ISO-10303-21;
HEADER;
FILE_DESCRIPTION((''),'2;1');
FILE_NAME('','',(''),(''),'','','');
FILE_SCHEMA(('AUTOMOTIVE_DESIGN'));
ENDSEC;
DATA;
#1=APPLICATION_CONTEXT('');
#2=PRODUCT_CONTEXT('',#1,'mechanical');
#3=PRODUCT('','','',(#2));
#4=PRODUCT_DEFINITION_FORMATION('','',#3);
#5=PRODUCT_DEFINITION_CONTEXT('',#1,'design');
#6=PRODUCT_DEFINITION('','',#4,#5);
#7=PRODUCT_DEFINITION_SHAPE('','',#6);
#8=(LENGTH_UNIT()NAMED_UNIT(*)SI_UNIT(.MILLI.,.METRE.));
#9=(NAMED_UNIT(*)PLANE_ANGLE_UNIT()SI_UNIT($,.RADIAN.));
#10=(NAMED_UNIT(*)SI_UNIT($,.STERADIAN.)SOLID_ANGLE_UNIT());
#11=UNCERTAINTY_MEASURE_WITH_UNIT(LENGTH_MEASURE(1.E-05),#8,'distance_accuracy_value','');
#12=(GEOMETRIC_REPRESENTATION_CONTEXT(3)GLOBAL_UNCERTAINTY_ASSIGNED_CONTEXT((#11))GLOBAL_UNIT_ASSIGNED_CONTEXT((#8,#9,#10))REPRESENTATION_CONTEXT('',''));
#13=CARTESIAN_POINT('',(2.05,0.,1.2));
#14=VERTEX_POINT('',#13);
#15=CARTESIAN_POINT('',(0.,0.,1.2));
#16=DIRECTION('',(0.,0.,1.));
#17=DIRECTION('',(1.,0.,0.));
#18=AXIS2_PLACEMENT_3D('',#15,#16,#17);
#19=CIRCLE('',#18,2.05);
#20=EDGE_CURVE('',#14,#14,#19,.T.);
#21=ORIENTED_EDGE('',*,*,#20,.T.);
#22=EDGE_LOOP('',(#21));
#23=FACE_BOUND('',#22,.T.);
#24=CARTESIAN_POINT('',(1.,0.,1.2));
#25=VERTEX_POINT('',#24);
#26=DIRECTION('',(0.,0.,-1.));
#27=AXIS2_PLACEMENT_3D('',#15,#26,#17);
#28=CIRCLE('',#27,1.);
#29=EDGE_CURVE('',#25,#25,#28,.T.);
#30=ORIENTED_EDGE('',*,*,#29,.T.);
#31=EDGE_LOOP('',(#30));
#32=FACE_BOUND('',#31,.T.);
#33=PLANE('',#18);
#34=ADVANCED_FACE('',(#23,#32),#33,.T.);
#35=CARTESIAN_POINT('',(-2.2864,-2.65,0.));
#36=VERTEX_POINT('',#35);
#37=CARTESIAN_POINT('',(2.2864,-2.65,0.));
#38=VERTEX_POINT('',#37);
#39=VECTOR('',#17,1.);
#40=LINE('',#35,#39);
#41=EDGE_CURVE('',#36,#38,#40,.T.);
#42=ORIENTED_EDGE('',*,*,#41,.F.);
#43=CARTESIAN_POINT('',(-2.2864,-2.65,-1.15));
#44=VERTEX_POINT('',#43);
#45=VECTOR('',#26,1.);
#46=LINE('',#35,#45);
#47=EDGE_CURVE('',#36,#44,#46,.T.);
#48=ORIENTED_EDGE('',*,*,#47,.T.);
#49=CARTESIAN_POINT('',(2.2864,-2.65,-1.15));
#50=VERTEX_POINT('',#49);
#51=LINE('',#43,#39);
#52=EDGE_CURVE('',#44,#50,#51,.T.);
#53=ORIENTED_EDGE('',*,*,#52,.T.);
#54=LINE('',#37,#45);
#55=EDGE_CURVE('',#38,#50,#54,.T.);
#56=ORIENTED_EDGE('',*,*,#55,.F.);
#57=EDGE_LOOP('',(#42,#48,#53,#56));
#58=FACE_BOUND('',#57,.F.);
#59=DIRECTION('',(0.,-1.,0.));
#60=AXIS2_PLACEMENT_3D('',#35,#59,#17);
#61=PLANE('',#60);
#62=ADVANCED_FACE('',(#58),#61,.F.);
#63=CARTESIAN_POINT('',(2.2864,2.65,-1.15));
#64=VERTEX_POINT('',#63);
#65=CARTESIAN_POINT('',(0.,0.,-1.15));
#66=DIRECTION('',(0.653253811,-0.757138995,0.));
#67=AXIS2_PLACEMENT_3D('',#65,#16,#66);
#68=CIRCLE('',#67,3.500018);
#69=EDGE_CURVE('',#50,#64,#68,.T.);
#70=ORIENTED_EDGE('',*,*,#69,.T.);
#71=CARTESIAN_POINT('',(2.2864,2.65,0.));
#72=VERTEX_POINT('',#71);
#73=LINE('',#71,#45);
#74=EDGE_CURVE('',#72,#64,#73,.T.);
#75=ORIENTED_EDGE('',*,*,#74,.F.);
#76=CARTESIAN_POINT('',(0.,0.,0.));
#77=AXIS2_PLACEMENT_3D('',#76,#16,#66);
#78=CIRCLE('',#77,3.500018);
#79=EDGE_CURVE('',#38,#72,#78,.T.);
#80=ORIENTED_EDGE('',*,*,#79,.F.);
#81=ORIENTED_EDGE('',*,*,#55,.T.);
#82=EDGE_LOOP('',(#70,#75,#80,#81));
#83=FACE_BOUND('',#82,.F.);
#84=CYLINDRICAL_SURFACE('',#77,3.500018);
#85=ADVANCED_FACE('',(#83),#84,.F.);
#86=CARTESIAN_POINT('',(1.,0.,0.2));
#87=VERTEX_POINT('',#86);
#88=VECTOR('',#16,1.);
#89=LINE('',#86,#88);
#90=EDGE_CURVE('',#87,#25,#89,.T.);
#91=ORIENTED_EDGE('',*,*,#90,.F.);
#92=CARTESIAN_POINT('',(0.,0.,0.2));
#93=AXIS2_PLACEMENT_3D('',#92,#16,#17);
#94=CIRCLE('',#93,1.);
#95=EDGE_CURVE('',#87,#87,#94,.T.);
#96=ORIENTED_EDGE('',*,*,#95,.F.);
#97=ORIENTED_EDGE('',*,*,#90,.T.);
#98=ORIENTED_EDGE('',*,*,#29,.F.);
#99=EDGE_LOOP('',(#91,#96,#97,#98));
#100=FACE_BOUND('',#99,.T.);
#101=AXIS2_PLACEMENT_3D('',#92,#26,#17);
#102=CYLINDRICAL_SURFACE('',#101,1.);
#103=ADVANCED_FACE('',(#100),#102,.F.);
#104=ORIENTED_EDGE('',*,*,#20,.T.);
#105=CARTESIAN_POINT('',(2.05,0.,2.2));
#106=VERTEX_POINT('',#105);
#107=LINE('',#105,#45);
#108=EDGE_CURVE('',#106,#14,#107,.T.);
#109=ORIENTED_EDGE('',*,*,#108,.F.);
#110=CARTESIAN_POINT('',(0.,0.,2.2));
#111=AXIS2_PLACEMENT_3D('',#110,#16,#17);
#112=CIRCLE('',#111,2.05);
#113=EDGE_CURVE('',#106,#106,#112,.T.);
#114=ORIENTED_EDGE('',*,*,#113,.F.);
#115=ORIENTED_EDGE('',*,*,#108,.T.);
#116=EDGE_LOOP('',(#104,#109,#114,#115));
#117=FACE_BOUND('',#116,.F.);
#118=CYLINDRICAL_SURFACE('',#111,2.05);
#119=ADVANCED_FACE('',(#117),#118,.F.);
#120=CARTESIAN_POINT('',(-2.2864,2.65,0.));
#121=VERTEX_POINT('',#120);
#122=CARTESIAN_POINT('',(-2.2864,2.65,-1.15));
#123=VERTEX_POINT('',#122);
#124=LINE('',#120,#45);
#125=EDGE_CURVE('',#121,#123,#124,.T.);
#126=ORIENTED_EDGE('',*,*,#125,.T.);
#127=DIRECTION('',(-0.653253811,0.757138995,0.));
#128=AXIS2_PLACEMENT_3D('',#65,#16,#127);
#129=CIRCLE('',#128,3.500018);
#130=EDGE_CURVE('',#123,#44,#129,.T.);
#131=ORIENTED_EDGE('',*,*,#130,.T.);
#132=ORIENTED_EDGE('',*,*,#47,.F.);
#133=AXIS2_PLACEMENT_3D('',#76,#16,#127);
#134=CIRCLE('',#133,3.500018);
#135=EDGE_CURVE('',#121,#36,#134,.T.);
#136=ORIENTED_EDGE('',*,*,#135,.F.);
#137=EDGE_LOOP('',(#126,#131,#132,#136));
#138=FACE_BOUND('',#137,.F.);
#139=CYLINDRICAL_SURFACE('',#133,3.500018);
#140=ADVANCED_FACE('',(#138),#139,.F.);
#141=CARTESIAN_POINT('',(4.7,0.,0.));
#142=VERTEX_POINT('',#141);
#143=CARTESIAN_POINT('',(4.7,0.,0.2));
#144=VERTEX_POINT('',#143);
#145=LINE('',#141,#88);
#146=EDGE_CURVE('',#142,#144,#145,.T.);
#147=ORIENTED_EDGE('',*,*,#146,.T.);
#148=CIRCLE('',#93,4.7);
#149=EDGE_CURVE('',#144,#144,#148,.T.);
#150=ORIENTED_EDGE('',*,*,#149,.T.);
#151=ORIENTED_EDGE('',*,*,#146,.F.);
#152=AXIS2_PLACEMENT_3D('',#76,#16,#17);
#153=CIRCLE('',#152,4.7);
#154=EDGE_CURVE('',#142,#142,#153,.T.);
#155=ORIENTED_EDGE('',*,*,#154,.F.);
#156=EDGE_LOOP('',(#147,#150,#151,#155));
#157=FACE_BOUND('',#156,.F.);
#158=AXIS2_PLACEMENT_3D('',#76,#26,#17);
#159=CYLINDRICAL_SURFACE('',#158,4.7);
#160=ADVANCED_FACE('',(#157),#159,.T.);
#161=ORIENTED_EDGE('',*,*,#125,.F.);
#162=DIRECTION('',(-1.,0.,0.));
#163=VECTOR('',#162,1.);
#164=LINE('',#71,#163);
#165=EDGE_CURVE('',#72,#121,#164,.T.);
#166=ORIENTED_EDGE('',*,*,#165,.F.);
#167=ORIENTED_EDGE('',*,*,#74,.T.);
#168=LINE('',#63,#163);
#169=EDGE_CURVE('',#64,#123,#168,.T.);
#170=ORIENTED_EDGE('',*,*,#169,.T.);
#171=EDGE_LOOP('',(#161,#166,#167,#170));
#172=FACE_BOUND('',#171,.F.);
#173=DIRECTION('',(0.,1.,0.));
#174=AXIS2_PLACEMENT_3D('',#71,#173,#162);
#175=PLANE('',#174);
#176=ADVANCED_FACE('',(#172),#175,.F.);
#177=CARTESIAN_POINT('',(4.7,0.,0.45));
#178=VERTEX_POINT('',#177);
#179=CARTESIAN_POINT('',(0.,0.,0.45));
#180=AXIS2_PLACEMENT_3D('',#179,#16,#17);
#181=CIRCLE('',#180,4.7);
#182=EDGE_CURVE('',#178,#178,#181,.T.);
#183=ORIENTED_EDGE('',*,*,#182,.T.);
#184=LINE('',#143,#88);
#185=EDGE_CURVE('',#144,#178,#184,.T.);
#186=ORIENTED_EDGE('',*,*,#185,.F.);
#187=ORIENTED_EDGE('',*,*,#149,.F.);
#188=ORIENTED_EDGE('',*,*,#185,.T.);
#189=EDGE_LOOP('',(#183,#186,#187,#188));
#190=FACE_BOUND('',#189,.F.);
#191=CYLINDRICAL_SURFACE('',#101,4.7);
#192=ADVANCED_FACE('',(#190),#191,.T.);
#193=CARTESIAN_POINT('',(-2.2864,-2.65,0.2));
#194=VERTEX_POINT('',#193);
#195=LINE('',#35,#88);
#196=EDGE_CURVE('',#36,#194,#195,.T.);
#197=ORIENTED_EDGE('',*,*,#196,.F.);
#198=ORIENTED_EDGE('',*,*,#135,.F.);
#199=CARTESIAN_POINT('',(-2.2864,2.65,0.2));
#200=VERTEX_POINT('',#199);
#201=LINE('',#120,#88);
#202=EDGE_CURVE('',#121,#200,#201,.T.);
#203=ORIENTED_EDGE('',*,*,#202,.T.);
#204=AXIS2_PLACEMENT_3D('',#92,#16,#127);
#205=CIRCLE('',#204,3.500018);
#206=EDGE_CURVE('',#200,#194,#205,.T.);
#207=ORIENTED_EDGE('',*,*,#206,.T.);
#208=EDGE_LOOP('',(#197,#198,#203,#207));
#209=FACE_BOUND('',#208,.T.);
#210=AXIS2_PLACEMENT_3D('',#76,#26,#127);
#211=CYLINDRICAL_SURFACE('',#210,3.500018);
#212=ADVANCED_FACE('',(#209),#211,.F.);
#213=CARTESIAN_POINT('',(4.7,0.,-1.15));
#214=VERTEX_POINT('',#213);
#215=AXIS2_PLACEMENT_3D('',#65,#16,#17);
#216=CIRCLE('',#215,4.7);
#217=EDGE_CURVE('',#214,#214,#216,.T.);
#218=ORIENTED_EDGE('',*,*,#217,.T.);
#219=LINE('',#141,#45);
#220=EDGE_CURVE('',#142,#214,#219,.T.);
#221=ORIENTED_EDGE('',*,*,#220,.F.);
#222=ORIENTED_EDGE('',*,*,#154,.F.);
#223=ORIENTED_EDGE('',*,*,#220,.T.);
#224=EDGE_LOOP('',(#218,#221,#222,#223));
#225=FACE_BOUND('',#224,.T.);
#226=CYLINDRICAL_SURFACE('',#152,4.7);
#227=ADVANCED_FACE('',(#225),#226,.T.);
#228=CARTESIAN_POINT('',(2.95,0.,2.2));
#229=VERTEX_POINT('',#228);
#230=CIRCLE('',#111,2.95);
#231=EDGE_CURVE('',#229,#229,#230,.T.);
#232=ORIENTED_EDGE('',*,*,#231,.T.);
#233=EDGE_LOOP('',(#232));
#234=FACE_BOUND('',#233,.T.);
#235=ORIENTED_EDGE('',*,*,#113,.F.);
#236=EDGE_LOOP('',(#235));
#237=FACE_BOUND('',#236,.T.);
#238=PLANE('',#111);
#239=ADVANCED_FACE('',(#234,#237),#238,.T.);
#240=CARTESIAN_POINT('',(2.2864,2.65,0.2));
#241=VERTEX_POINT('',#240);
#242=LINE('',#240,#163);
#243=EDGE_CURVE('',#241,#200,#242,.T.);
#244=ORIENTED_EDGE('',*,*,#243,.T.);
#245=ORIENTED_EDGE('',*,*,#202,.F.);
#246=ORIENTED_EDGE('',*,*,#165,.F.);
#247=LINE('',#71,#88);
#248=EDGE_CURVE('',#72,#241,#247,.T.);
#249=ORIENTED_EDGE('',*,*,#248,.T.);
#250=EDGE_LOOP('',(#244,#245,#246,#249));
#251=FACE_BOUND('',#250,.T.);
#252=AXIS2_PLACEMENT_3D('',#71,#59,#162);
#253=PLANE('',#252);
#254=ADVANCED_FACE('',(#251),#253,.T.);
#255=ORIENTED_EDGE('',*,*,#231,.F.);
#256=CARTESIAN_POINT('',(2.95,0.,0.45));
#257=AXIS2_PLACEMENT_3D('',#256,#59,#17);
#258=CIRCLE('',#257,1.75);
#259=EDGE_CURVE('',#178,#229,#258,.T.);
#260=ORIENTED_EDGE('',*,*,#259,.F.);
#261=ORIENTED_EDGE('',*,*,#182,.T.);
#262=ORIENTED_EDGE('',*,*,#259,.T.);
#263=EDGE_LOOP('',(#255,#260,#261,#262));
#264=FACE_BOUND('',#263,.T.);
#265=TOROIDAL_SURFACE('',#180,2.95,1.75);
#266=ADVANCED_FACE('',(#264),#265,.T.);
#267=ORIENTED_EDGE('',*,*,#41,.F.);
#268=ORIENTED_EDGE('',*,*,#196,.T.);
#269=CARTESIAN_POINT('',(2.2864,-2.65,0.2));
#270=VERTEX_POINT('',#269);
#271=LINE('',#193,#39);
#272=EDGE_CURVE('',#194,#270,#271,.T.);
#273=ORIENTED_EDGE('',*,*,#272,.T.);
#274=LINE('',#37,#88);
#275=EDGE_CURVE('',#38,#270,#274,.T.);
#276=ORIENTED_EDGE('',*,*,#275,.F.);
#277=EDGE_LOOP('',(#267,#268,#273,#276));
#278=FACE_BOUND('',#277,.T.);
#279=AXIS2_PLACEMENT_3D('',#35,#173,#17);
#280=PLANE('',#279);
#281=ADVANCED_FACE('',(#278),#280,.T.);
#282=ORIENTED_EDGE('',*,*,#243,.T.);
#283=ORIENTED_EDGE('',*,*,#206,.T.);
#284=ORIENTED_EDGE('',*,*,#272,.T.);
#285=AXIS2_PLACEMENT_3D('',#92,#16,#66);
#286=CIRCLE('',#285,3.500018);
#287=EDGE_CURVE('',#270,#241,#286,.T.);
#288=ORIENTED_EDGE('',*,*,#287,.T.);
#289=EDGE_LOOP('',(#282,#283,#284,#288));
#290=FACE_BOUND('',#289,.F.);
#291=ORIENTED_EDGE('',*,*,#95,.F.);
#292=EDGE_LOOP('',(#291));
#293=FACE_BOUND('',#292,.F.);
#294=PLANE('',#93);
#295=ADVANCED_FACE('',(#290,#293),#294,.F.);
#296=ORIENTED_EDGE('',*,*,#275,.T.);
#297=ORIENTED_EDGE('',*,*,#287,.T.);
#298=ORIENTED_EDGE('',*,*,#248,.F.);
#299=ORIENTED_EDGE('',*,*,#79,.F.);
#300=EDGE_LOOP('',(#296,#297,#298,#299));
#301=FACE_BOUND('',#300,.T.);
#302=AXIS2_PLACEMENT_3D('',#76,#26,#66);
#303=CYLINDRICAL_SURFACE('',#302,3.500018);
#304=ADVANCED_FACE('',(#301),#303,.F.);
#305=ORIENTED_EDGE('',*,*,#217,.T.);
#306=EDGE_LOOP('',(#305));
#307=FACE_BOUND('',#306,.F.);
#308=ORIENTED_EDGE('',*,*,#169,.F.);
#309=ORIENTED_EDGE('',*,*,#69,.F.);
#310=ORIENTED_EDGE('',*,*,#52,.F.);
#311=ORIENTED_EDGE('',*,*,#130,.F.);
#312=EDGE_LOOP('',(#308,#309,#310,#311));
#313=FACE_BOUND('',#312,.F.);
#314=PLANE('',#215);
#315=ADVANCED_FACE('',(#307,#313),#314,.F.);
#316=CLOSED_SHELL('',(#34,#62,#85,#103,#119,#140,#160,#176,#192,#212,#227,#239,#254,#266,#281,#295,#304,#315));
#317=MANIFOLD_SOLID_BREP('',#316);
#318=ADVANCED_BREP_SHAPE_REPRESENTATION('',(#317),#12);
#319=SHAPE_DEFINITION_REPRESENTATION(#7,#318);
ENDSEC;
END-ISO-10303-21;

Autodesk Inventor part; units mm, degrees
ref_plane "YZ Plane" through (0, 0, 0) normal (1, 0, 0) x (0, 1, 0)
ref_plane "XZ Plane" through (0, 0, 0) normal (0, 1, 0) x (-1, 0, 0)
sketch "Sketch1" plane through (0, 0, 0) normal (0, 0, 1) x (1, 0, 0)
  circle A0 centre (0, 0) radius 4.7 projected
  circle A1 centre (0, 0) radius 1 projected
  arc A2 (-2.2864, 2.65) -> (-2.2864, -2.65) centre (0, 0) ccw
  line L0 (-2.2864, -2.65) -> (2.2864, -2.65)
  line L1 (2.2864, 2.65) -> (-2.2864, 2.65)
  arc A3 (2.2864, -2.65) -> (2.2864, 2.65) centre (0, 0) ccw
ref_plane "Work Plane1" through (-12.875, -12.875, -1.15) normal (0, 0, 1) x (1, 0, 0)
extrude "Extrusion1" add sketch "Sketch1" along normal blind 0.2 and the other way blind 1.15 contours A0
sketch "Sketch2" plane through (0, 0, 0.2) normal (0, 0, 1) x (1, 0, 0)
  circle A0 centre (0, 0) radius 4.7 projected
  circle A1 centre (0, 0) radius 1 projected
extrude "Extrusion2" add sketch "Sketch2" along normal blind 2
fillet "Fillet1" radius 1.75 1 edges at (-4.7, 0, 2.2)
sketch "Sketch3" plane through (0, 0, 2.2) normal (0, 0, 1) x (1, 0, 0)
  circle A0 centre (0, 0) radius 2.05
  circle A1 centre (0, 0) radius 1 projected
  point P0 (0, 0)
  dimension "d7" = 4.1
extrude "Extrusion3" cut sketch "Sketch3" against normal blind 1 contours A0 | A1
properties part number "TTencodercap"
